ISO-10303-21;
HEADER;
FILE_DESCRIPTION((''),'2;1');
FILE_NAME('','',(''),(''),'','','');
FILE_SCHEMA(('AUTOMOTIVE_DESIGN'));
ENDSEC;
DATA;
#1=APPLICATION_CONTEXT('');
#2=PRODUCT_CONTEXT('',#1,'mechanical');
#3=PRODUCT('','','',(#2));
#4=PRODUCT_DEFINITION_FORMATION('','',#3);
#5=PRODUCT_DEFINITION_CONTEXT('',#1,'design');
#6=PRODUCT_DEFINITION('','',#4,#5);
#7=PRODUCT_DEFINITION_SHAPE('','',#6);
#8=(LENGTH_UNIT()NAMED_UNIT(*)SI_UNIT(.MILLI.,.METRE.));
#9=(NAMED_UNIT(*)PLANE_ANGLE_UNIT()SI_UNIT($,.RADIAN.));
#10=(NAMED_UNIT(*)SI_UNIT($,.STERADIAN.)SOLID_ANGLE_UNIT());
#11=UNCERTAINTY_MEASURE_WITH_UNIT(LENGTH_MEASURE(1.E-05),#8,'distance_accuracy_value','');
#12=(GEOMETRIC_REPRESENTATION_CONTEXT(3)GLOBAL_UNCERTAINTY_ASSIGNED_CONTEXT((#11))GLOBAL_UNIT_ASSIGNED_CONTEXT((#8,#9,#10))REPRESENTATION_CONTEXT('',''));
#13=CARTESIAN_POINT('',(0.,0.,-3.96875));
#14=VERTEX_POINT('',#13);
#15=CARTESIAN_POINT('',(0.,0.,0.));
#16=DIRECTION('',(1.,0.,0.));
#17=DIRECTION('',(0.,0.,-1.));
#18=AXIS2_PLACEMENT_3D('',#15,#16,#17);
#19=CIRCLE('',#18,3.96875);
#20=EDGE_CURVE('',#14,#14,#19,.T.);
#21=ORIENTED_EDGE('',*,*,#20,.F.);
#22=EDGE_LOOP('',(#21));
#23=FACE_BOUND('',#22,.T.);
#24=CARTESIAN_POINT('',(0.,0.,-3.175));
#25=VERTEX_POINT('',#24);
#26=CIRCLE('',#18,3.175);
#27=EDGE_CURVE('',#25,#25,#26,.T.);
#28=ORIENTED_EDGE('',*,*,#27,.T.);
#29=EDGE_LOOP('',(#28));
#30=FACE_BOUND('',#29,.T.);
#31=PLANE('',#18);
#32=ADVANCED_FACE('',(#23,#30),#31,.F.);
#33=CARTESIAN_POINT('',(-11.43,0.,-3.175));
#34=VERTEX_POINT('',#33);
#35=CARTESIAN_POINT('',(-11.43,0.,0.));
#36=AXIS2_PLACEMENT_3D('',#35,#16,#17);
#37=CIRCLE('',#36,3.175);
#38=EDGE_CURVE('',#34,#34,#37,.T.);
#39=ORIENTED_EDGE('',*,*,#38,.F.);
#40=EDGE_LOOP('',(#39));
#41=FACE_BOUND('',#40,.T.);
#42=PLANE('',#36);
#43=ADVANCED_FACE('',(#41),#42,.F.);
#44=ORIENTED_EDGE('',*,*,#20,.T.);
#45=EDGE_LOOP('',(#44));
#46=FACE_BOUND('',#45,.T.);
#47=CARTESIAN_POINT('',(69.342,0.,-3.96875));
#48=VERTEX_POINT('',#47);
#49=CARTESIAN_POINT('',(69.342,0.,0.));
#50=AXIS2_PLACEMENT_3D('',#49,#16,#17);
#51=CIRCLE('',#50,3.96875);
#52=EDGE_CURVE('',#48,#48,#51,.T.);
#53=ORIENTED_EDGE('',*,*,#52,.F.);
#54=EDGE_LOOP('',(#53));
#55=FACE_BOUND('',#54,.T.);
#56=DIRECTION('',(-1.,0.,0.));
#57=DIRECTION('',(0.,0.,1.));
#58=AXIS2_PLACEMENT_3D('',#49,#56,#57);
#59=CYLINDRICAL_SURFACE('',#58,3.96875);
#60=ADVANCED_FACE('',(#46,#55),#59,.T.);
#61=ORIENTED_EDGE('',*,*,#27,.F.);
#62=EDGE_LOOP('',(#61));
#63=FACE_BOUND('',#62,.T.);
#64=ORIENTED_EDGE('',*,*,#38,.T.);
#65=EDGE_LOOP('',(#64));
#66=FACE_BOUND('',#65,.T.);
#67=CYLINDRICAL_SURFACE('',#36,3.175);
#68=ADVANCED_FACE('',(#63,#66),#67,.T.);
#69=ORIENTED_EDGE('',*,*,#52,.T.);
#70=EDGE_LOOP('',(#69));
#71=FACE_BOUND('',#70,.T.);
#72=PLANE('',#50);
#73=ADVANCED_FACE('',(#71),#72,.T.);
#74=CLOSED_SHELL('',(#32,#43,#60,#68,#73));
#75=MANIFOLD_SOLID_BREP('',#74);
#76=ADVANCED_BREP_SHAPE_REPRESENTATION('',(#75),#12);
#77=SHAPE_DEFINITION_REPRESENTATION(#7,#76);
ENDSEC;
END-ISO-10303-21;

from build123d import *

# Parameters (mm, degrees)
SKETCH2_R           = 3.96875
BOSS_EXTRUDE1_DEPTH = 69.342
SKETCH3_R           = 3.175
BOSS_EXTRUDE2_DEPTH = 11.43


with BuildPart() as part:
    # Sketch2 → Boss-Extrude1 (new body)
    with BuildSketch(Plane(origin=(0, 0, 0), x_dir=(0, 0, -1), z_dir=(1, 0, 0))):
        Circle(SKETCH2_R)
    extrude(amount=BOSS_EXTRUDE1_DEPTH)

    # Sketch3 → Boss-Extrude2 (add)
    with BuildSketch(Plane(origin=(0, 0, 0), x_dir=(0, 0, -1), z_dir=(1, 0, 0))):
        Circle(SKETCH3_R)
    extrude(amount=-BOSS_EXTRUDE2_DEPTH)


solid = part.part
